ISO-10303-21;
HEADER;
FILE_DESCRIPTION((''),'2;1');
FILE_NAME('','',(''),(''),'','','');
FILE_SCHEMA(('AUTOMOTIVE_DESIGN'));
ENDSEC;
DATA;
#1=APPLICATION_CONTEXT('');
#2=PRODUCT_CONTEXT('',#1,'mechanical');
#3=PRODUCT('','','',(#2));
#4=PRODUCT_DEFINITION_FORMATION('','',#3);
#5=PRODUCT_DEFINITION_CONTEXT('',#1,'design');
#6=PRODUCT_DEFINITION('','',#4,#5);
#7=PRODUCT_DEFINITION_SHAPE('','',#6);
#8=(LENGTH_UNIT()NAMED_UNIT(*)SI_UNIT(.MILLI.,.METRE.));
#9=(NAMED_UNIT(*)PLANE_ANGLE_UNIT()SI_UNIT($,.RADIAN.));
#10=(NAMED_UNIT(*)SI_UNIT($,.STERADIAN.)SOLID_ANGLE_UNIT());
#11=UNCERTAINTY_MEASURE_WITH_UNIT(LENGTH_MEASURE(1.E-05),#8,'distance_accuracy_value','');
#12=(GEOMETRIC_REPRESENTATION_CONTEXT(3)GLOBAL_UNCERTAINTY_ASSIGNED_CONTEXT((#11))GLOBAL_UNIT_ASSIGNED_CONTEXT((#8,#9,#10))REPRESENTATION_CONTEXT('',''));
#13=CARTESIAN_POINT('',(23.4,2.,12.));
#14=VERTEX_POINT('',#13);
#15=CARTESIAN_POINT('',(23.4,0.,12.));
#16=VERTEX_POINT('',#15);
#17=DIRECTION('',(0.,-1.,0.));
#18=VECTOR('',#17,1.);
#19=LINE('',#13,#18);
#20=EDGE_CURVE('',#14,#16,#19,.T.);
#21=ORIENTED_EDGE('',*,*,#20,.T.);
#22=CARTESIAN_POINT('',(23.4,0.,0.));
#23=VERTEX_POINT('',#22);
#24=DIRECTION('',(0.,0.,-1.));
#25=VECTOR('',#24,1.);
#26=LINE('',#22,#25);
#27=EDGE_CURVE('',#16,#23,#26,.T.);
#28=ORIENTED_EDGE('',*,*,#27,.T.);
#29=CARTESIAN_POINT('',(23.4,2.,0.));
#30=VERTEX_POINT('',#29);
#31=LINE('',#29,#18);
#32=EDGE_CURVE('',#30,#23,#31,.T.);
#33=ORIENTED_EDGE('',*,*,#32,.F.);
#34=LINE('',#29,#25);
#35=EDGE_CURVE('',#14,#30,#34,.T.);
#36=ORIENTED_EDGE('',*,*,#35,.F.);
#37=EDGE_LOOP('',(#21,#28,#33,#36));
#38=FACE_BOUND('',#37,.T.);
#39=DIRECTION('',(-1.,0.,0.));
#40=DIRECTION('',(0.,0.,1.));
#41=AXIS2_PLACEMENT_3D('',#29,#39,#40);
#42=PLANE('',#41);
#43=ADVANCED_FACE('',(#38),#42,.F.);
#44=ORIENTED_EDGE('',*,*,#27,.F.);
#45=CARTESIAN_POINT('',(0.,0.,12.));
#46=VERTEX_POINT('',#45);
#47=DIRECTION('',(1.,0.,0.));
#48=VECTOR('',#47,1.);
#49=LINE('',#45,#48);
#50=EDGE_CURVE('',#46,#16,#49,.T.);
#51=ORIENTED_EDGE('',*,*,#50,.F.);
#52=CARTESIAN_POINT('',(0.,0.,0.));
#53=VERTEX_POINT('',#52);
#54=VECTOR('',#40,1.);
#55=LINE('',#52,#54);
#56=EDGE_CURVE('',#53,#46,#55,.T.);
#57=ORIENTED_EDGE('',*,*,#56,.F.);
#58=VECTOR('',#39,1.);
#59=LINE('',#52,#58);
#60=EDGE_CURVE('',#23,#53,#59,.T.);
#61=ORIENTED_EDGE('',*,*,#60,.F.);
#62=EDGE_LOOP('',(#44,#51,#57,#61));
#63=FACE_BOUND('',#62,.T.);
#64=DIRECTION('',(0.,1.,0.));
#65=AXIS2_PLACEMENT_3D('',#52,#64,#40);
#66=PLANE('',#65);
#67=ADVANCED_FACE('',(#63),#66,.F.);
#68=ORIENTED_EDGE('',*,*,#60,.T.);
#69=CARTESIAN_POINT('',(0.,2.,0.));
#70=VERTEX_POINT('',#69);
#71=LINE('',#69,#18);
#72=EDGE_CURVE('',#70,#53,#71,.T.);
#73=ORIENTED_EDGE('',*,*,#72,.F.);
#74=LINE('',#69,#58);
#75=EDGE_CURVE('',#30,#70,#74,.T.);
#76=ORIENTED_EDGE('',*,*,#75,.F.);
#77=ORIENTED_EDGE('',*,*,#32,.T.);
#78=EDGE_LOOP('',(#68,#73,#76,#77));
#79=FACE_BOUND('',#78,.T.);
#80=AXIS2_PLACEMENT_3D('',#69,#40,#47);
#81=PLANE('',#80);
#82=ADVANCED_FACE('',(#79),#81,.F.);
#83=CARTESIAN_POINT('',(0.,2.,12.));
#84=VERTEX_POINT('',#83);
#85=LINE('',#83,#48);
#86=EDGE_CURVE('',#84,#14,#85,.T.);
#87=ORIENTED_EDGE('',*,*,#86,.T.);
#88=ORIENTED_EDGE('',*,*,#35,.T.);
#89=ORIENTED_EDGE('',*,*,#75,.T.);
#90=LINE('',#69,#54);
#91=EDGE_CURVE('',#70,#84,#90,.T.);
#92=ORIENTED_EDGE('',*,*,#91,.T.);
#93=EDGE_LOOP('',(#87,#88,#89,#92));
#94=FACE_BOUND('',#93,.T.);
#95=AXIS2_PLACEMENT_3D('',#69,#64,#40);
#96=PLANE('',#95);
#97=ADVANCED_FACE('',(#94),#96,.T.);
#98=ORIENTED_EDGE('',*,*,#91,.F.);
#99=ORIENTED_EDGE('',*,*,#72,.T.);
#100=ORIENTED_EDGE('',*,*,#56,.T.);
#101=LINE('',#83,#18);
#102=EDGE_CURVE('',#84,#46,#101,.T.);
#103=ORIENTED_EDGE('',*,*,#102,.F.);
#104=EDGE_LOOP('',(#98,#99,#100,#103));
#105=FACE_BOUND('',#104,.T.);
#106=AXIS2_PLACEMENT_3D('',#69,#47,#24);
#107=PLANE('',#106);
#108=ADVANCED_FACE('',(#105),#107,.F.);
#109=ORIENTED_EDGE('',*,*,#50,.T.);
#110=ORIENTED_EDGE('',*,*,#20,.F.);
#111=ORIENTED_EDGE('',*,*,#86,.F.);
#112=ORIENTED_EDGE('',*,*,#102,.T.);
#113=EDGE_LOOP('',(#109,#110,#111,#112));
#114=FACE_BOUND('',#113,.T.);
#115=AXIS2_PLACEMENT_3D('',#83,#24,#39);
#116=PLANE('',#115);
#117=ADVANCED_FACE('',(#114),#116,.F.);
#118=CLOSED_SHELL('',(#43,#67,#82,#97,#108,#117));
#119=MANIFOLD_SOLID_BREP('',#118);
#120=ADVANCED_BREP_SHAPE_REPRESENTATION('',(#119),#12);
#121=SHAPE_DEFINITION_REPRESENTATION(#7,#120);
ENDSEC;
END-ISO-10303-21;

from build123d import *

# Parameters (mm, degrees)
SKETCH_1_W      = 23.4
SKETCH_1_H      = 12
EXTRUDE_1_DEPTH = 2


with BuildPart() as part:
    # 草图1 → 凸台-拉伸1 (new body)
    with BuildSketch(Plane(origin=(0, 0, 0), x_dir=(1, 0, 0), z_dir=(0, 1, 0))):
        with Locations((11.7, -6)):
            Rectangle(SKETCH_1_W, SKETCH_1_H)
    extrude(amount=EXTRUDE_1_DEPTH)


solid = part.part
